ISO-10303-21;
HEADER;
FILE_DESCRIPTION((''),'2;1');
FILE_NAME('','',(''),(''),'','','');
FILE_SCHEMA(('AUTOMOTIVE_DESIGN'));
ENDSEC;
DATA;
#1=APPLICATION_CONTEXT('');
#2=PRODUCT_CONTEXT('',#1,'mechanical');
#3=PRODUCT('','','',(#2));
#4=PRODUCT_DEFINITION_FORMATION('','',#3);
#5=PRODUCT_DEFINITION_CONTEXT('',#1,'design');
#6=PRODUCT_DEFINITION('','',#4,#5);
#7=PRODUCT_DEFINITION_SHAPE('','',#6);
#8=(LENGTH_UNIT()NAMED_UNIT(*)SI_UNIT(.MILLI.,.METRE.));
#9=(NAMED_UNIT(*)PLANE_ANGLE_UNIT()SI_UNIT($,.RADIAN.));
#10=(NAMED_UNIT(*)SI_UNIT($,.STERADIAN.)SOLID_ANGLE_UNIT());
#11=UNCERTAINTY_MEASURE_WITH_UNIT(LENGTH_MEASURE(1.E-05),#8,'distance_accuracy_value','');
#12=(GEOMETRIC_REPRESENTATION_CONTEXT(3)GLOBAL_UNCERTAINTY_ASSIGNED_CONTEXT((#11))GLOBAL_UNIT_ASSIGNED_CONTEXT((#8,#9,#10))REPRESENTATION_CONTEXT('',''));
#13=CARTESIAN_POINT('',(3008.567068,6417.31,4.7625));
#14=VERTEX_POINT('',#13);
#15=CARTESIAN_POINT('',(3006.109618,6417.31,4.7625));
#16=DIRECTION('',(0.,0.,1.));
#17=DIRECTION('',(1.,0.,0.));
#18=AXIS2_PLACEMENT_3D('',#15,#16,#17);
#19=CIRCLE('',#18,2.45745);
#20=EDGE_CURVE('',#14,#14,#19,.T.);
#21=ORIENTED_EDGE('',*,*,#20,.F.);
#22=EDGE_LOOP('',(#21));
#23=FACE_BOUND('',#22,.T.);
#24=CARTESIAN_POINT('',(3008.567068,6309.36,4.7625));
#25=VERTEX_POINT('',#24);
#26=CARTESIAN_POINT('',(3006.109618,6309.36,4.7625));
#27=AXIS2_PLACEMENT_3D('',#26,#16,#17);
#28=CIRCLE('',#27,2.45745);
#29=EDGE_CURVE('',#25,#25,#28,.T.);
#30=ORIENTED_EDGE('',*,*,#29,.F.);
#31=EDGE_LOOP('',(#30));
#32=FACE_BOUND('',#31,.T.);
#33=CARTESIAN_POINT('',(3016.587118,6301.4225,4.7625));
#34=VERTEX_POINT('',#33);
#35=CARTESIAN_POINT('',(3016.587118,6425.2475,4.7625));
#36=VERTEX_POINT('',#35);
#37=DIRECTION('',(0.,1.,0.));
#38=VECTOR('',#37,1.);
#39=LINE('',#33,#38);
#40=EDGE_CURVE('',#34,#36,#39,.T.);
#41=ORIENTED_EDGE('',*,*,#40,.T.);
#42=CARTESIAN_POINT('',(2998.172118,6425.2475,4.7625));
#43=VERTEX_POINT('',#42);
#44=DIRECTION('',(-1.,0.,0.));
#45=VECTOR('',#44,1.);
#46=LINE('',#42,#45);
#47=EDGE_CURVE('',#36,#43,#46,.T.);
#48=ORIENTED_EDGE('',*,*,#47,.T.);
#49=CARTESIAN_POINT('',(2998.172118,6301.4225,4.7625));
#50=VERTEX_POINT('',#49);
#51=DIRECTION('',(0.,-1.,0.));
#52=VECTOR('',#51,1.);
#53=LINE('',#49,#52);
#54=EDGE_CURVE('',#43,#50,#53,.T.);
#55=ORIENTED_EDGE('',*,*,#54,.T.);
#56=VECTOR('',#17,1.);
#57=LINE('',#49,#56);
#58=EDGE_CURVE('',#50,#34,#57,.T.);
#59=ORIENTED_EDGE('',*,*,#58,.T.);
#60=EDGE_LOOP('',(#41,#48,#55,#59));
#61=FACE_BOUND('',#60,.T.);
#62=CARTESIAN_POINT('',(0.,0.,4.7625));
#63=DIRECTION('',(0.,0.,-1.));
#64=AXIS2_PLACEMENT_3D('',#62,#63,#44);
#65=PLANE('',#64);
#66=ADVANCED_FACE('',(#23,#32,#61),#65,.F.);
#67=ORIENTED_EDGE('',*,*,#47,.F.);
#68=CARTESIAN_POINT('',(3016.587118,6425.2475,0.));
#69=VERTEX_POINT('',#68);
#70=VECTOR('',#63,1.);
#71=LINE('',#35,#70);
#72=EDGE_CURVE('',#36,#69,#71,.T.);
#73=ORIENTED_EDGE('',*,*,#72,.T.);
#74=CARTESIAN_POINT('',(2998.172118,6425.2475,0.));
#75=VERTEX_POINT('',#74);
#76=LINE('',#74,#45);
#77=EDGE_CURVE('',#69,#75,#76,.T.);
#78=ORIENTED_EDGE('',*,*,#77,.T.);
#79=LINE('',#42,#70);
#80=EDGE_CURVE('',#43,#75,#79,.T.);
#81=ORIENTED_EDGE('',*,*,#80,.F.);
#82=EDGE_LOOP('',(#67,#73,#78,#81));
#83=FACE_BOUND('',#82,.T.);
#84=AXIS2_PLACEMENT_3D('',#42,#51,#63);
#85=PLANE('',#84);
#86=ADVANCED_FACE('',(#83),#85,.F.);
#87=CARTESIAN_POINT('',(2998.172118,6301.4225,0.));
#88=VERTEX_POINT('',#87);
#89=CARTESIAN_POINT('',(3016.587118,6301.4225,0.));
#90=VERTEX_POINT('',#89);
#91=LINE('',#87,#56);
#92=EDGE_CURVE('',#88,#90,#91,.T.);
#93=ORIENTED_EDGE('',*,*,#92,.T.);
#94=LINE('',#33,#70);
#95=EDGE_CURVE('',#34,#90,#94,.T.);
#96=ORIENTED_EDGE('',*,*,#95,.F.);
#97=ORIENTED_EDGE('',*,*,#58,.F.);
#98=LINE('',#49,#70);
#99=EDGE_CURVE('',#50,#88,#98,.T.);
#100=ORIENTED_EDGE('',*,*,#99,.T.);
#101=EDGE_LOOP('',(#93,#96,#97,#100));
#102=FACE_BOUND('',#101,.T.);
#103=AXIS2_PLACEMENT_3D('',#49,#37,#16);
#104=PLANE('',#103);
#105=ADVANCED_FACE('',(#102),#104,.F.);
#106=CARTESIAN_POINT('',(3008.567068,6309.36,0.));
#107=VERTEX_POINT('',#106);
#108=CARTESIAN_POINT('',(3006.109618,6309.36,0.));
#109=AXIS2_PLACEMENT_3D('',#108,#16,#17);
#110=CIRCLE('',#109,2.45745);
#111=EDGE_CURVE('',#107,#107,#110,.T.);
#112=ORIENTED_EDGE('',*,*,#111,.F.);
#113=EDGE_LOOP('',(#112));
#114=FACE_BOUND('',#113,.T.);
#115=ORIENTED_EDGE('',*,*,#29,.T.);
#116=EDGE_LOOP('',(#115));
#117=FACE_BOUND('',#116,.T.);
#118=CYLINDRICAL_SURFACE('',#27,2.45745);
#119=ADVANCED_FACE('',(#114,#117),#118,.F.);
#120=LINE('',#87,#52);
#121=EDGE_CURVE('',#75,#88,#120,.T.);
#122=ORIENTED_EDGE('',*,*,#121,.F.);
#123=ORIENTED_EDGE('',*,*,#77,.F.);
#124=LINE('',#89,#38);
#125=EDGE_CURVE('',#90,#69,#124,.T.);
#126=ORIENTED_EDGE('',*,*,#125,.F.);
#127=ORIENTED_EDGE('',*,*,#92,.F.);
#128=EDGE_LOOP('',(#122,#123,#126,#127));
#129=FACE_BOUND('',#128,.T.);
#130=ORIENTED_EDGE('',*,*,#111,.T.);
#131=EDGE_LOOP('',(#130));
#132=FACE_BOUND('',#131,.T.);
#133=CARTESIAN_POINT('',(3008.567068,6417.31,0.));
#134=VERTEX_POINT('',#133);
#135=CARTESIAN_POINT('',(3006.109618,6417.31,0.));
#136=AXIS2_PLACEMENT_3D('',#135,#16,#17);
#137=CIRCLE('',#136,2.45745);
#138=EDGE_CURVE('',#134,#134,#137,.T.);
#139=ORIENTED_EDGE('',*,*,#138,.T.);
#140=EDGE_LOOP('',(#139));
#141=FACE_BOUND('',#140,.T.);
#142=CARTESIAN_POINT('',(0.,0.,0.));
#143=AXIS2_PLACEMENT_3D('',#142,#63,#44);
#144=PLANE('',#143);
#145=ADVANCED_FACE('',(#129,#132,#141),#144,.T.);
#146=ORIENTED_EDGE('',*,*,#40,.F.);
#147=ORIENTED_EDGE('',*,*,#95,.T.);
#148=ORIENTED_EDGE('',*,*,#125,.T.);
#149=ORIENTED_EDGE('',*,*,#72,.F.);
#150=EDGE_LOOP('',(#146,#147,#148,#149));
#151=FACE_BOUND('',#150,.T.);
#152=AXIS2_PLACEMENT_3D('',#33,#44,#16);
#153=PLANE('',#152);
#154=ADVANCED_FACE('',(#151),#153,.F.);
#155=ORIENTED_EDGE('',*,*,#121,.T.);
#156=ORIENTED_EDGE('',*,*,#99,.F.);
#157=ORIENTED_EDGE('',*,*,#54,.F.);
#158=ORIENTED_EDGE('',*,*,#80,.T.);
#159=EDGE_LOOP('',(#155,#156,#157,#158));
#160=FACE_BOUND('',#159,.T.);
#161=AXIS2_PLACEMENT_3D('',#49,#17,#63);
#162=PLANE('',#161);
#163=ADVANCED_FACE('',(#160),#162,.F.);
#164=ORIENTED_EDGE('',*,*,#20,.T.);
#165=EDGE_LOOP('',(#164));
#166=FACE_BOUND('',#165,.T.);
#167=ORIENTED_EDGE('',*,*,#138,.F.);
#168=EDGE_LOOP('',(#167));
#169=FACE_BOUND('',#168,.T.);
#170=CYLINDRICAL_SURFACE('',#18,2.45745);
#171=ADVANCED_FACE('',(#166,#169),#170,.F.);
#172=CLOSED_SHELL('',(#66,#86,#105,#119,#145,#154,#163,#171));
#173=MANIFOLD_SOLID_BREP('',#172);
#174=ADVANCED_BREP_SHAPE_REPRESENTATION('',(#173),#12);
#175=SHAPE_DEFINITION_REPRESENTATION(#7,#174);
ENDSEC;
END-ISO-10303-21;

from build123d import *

# Parameters (mm, degrees)
SKETCH1_W             = 18.415
SKETCH1_H             = 123.825
BOSS_EXTRUDE1_DEPTH   = 4.7625
F_8_CLEARANCE_HOLE1_D = 4.9149


with BuildPart() as part:
    # Sketch1 → Boss-Extrude1 (new body)
    with BuildSketch(Plane.XY):
        with Locations((3007.379618147, 6363.335)):
            Rectangle(SKETCH1_W, SKETCH1_H)
    extrude(amount=BOSS_EXTRUDE1_DEPTH)

    # #8 Clearance Hole1 (through all)
    with Locations(Plane.XY.offset(4.7625)):
        with Locations((3006.109618147, 6417.31), (3006.109618147, 6309.36)):
            Hole(F_8_CLEARANCE_HOLE1_D / 2)


solid = part.part
